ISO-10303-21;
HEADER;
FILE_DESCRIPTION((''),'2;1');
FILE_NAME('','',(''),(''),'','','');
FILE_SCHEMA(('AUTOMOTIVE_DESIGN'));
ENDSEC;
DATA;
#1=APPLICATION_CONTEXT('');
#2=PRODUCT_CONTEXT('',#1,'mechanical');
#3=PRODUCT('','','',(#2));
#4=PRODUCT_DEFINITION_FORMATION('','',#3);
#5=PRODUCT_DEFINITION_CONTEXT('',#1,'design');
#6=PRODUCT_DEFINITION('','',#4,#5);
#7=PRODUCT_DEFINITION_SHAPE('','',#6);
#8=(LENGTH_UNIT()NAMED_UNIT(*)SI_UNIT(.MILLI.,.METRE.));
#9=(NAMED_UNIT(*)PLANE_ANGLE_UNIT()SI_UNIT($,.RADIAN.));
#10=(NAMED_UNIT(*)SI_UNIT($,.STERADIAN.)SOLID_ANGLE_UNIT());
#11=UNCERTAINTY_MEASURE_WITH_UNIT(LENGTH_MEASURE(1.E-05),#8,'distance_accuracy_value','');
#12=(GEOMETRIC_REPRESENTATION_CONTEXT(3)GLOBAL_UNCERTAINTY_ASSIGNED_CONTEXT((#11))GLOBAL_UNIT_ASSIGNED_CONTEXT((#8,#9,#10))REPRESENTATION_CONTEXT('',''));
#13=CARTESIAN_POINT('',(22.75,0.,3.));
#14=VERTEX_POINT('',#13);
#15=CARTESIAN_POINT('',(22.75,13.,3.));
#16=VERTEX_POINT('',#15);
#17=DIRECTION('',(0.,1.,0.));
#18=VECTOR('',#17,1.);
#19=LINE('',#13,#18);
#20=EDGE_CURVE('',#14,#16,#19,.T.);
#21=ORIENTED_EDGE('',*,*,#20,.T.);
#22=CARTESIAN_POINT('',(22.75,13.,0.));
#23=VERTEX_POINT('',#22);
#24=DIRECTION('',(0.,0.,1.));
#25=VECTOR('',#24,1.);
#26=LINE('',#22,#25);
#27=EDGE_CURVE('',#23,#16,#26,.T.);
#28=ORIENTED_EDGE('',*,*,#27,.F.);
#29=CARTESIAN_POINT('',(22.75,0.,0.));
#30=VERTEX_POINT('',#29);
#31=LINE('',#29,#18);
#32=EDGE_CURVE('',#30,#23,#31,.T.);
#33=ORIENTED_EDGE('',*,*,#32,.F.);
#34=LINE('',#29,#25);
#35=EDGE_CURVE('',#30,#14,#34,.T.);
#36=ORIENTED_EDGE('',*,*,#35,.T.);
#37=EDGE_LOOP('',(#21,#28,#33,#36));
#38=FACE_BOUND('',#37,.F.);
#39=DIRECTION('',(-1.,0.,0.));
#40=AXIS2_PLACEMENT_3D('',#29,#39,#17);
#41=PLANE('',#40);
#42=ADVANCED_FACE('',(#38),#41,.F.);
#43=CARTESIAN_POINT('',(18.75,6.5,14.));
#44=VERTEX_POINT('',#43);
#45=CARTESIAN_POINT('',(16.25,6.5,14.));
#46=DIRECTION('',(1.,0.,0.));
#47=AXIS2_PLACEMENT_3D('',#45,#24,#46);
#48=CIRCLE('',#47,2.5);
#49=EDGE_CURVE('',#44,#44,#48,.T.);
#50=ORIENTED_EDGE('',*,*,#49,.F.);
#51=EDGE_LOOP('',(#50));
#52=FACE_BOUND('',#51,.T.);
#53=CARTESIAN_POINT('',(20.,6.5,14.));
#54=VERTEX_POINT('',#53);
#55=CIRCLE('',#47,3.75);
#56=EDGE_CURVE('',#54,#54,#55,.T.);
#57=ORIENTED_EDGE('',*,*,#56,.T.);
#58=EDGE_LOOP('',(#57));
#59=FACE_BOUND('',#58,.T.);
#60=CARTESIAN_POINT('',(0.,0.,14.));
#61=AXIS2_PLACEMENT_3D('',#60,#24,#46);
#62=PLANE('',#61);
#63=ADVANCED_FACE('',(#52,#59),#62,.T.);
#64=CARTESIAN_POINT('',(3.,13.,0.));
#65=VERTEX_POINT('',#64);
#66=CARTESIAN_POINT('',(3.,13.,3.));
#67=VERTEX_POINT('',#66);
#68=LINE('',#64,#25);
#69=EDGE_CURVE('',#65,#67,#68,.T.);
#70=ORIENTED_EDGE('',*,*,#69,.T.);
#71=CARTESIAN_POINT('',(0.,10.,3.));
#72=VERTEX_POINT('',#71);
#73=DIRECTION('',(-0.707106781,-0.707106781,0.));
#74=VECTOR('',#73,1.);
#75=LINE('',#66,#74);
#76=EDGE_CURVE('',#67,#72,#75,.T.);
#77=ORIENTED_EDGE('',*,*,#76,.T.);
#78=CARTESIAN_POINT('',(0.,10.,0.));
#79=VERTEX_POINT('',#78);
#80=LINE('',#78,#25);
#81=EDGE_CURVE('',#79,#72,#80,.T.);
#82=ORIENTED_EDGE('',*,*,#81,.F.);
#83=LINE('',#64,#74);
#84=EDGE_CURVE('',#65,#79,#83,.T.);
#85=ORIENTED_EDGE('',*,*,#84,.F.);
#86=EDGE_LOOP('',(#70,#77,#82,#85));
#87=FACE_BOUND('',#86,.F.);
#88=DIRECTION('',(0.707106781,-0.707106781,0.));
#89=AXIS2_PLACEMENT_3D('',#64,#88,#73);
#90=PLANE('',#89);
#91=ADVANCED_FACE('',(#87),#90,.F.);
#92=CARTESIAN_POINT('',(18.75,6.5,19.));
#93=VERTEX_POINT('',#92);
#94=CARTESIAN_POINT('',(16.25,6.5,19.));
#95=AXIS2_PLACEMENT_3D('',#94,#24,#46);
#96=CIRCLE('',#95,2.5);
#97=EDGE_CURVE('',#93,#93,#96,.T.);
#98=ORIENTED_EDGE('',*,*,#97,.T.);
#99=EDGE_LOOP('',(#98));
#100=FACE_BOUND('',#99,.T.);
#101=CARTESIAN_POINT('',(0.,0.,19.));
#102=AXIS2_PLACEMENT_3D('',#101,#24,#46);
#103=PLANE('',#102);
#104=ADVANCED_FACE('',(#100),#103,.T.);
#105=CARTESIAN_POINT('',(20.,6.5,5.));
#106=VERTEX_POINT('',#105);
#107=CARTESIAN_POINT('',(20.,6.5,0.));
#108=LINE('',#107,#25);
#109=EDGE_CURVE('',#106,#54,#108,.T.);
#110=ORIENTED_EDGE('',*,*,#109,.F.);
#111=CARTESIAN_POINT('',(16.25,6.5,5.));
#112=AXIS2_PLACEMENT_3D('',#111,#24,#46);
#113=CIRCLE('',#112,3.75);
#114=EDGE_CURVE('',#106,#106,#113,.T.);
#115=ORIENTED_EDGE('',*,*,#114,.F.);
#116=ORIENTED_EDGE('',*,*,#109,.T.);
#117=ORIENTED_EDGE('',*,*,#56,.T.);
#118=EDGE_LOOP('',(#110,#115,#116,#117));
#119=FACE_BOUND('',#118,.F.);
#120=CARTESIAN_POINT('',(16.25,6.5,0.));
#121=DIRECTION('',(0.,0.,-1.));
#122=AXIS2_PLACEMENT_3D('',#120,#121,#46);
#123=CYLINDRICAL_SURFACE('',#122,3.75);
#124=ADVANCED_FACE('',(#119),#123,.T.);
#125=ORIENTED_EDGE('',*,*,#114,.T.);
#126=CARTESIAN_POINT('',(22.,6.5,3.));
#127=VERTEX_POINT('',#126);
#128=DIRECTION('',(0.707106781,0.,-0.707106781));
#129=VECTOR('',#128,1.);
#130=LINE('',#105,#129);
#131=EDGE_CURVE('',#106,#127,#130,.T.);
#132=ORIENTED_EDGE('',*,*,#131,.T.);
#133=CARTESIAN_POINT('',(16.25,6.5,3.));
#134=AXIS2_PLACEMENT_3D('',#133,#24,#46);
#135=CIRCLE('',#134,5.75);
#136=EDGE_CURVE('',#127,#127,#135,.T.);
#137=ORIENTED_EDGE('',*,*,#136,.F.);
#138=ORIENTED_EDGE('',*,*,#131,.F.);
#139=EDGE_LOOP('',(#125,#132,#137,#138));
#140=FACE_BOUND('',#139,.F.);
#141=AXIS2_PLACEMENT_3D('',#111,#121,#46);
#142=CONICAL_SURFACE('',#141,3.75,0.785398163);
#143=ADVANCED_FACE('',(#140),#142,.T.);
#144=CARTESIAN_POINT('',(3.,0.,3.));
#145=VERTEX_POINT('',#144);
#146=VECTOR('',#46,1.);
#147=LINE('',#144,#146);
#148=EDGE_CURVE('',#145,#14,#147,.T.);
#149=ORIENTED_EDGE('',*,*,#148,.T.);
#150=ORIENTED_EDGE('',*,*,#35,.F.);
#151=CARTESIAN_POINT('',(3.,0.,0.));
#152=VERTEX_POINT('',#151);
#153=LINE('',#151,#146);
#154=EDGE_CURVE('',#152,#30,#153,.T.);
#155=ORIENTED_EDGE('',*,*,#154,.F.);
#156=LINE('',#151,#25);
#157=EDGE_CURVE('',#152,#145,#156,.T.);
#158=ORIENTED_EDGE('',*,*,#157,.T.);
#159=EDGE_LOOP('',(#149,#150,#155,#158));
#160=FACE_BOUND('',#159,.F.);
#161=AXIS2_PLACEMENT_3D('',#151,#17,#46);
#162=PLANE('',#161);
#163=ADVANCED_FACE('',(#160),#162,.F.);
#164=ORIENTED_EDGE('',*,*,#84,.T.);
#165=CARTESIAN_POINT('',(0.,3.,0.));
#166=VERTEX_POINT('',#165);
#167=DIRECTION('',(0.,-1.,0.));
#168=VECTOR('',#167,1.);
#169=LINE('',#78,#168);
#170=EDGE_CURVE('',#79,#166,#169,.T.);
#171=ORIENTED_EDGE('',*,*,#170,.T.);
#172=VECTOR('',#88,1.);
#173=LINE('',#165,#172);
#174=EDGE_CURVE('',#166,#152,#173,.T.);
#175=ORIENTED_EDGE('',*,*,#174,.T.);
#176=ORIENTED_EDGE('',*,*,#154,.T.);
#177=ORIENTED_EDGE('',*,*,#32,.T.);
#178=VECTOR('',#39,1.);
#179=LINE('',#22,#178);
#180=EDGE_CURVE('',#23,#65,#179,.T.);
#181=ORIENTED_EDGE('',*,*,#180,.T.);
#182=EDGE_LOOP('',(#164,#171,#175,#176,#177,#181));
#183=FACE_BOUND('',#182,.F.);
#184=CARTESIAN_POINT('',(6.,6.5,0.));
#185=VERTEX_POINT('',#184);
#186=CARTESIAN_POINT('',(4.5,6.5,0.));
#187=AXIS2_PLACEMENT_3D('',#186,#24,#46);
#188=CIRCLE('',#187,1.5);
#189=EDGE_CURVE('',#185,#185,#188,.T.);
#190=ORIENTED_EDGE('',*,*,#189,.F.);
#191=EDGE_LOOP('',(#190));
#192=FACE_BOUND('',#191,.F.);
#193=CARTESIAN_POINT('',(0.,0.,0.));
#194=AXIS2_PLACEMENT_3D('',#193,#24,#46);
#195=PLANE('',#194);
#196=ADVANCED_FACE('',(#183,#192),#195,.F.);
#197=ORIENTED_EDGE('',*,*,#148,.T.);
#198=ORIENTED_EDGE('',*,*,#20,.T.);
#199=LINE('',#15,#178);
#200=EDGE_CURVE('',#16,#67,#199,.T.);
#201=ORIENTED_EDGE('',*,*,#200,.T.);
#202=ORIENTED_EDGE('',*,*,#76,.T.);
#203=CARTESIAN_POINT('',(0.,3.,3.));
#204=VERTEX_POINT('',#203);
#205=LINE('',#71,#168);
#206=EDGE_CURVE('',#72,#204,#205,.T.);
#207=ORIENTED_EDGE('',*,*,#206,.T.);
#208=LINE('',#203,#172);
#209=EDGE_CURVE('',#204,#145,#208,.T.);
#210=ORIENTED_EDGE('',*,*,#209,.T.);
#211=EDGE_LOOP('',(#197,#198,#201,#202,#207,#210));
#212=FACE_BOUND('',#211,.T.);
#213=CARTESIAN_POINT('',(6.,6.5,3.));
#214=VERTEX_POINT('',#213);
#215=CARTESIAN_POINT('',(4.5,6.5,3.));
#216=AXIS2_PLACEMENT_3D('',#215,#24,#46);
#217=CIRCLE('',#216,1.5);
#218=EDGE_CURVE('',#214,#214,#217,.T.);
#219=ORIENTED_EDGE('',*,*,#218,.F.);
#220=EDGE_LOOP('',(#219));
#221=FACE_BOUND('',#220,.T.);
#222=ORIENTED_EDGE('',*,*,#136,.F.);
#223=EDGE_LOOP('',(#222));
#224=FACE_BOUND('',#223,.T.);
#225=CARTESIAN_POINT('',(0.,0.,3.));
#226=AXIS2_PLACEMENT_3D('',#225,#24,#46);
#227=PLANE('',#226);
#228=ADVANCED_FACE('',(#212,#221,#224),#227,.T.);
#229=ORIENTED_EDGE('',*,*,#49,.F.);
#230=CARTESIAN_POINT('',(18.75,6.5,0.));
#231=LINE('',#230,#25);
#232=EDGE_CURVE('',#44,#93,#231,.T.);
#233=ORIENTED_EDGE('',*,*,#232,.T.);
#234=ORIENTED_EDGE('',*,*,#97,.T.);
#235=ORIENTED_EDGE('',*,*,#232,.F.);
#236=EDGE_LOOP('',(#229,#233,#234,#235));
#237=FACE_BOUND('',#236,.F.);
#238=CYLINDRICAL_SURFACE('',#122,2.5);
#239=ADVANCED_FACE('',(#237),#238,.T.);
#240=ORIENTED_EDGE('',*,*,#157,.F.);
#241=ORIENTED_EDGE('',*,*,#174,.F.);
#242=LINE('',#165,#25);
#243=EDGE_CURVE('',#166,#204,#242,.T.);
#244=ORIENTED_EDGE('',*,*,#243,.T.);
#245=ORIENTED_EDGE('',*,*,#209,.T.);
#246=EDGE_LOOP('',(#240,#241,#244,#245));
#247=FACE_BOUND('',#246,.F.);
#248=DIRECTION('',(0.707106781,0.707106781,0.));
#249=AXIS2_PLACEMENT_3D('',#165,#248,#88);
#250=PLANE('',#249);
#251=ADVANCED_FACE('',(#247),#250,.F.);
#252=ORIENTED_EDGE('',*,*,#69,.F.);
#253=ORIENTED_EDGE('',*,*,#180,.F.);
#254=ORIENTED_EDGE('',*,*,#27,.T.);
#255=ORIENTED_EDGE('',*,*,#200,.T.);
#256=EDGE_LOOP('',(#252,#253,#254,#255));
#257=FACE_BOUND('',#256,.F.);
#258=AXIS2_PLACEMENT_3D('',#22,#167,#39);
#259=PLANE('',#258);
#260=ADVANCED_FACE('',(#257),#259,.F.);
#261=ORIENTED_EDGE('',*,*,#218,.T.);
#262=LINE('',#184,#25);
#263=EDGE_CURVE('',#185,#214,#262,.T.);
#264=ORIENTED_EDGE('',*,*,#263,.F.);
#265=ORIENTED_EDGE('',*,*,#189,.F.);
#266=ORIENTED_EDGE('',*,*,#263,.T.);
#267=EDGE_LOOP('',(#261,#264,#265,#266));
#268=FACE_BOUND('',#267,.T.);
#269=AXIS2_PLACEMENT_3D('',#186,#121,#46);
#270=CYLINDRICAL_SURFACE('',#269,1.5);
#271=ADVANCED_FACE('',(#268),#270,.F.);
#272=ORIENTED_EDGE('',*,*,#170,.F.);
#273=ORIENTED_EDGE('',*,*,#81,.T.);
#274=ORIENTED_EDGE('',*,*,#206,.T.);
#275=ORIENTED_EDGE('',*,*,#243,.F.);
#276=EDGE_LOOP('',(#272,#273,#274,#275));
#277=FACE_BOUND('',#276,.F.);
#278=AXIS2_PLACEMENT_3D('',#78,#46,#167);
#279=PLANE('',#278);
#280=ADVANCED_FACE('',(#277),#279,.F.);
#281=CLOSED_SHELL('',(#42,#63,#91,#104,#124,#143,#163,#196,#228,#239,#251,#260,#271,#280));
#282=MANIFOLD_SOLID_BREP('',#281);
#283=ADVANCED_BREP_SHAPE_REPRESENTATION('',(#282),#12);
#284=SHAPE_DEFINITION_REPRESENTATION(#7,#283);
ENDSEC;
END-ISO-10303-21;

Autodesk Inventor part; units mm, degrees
ref_plane "YZ Plane" through (0, 0, 0) normal (1, 0, 0) x (0, 1, 0)
ref_plane "XZ Plane" through (0, 0, 0) normal (0, 1, 0) x (-1, 0, 0)
ref_plane "XY Plane" through (0, 0, 0) normal (0, 0, 1) x (1, 0, 0)
sketch "Эскиз1" plane through (0, 0, 0) normal (0, 0, 1) x (1, 0, 0)
  line L0 (3, 0) -> (22.75, 0)
  line L1 (22.75, 0) -> (22.75, 13)
  line L2 (22.75, 13) -> (3, 13)
  line L3 (0, 10) -> (0, 3)
  circle A0 centre (16.25, 6.5) radius 8 construction
  circle A1 centre (16.25, 6.5) radius 2.5
  circle A2 centre (4.5, 6.5) radius 1.5
  line L4 (0, 6.5) -> (22.75, 6.5) construction
  circle A3 centre (4.5, 6.5) radius 2.75 construction
  line L5 (3, 13) -> (0, 10)
  line L6 (0, 3) -> (3, 0)
  circle A4 centre (16.25, 6.5) radius 3.75
  point P0 (0, 0)
  point P1 (0, 13)
  dimension "d0" = 16
  dimension "d3" = 3
  dimension "d6" = 5.5
  dimension "d7" = 1
  dimension "d9" = 3
  dimension "d10" = 3
  dimension "d11" = 3
  dimension "d12" = 3
  dimension "d13" = 7.5
  dimension "d23" = 6.5
  dimension "d24" = 6.5
extrude "Выдавливание1" add sketch "Эскиз1" along normal blind 3 contours L6 L3 L5 L2 L1 L0
extrude "Выдавливание2" add sketch "Эскиз1" along normal blind 14 contours A4
extrude "Выдавливание3" add sketch "Эскиз1" along normal blind 19 contours A1
chamfer "Фаска1" distance 2 angle 45 1 edges at (12.5, 6.5, 3)
equation "\"d10\" = d9"
equation "\"d11\" = d9"
equation "\"d12\" = d11"
properties part number "Концентратор"
